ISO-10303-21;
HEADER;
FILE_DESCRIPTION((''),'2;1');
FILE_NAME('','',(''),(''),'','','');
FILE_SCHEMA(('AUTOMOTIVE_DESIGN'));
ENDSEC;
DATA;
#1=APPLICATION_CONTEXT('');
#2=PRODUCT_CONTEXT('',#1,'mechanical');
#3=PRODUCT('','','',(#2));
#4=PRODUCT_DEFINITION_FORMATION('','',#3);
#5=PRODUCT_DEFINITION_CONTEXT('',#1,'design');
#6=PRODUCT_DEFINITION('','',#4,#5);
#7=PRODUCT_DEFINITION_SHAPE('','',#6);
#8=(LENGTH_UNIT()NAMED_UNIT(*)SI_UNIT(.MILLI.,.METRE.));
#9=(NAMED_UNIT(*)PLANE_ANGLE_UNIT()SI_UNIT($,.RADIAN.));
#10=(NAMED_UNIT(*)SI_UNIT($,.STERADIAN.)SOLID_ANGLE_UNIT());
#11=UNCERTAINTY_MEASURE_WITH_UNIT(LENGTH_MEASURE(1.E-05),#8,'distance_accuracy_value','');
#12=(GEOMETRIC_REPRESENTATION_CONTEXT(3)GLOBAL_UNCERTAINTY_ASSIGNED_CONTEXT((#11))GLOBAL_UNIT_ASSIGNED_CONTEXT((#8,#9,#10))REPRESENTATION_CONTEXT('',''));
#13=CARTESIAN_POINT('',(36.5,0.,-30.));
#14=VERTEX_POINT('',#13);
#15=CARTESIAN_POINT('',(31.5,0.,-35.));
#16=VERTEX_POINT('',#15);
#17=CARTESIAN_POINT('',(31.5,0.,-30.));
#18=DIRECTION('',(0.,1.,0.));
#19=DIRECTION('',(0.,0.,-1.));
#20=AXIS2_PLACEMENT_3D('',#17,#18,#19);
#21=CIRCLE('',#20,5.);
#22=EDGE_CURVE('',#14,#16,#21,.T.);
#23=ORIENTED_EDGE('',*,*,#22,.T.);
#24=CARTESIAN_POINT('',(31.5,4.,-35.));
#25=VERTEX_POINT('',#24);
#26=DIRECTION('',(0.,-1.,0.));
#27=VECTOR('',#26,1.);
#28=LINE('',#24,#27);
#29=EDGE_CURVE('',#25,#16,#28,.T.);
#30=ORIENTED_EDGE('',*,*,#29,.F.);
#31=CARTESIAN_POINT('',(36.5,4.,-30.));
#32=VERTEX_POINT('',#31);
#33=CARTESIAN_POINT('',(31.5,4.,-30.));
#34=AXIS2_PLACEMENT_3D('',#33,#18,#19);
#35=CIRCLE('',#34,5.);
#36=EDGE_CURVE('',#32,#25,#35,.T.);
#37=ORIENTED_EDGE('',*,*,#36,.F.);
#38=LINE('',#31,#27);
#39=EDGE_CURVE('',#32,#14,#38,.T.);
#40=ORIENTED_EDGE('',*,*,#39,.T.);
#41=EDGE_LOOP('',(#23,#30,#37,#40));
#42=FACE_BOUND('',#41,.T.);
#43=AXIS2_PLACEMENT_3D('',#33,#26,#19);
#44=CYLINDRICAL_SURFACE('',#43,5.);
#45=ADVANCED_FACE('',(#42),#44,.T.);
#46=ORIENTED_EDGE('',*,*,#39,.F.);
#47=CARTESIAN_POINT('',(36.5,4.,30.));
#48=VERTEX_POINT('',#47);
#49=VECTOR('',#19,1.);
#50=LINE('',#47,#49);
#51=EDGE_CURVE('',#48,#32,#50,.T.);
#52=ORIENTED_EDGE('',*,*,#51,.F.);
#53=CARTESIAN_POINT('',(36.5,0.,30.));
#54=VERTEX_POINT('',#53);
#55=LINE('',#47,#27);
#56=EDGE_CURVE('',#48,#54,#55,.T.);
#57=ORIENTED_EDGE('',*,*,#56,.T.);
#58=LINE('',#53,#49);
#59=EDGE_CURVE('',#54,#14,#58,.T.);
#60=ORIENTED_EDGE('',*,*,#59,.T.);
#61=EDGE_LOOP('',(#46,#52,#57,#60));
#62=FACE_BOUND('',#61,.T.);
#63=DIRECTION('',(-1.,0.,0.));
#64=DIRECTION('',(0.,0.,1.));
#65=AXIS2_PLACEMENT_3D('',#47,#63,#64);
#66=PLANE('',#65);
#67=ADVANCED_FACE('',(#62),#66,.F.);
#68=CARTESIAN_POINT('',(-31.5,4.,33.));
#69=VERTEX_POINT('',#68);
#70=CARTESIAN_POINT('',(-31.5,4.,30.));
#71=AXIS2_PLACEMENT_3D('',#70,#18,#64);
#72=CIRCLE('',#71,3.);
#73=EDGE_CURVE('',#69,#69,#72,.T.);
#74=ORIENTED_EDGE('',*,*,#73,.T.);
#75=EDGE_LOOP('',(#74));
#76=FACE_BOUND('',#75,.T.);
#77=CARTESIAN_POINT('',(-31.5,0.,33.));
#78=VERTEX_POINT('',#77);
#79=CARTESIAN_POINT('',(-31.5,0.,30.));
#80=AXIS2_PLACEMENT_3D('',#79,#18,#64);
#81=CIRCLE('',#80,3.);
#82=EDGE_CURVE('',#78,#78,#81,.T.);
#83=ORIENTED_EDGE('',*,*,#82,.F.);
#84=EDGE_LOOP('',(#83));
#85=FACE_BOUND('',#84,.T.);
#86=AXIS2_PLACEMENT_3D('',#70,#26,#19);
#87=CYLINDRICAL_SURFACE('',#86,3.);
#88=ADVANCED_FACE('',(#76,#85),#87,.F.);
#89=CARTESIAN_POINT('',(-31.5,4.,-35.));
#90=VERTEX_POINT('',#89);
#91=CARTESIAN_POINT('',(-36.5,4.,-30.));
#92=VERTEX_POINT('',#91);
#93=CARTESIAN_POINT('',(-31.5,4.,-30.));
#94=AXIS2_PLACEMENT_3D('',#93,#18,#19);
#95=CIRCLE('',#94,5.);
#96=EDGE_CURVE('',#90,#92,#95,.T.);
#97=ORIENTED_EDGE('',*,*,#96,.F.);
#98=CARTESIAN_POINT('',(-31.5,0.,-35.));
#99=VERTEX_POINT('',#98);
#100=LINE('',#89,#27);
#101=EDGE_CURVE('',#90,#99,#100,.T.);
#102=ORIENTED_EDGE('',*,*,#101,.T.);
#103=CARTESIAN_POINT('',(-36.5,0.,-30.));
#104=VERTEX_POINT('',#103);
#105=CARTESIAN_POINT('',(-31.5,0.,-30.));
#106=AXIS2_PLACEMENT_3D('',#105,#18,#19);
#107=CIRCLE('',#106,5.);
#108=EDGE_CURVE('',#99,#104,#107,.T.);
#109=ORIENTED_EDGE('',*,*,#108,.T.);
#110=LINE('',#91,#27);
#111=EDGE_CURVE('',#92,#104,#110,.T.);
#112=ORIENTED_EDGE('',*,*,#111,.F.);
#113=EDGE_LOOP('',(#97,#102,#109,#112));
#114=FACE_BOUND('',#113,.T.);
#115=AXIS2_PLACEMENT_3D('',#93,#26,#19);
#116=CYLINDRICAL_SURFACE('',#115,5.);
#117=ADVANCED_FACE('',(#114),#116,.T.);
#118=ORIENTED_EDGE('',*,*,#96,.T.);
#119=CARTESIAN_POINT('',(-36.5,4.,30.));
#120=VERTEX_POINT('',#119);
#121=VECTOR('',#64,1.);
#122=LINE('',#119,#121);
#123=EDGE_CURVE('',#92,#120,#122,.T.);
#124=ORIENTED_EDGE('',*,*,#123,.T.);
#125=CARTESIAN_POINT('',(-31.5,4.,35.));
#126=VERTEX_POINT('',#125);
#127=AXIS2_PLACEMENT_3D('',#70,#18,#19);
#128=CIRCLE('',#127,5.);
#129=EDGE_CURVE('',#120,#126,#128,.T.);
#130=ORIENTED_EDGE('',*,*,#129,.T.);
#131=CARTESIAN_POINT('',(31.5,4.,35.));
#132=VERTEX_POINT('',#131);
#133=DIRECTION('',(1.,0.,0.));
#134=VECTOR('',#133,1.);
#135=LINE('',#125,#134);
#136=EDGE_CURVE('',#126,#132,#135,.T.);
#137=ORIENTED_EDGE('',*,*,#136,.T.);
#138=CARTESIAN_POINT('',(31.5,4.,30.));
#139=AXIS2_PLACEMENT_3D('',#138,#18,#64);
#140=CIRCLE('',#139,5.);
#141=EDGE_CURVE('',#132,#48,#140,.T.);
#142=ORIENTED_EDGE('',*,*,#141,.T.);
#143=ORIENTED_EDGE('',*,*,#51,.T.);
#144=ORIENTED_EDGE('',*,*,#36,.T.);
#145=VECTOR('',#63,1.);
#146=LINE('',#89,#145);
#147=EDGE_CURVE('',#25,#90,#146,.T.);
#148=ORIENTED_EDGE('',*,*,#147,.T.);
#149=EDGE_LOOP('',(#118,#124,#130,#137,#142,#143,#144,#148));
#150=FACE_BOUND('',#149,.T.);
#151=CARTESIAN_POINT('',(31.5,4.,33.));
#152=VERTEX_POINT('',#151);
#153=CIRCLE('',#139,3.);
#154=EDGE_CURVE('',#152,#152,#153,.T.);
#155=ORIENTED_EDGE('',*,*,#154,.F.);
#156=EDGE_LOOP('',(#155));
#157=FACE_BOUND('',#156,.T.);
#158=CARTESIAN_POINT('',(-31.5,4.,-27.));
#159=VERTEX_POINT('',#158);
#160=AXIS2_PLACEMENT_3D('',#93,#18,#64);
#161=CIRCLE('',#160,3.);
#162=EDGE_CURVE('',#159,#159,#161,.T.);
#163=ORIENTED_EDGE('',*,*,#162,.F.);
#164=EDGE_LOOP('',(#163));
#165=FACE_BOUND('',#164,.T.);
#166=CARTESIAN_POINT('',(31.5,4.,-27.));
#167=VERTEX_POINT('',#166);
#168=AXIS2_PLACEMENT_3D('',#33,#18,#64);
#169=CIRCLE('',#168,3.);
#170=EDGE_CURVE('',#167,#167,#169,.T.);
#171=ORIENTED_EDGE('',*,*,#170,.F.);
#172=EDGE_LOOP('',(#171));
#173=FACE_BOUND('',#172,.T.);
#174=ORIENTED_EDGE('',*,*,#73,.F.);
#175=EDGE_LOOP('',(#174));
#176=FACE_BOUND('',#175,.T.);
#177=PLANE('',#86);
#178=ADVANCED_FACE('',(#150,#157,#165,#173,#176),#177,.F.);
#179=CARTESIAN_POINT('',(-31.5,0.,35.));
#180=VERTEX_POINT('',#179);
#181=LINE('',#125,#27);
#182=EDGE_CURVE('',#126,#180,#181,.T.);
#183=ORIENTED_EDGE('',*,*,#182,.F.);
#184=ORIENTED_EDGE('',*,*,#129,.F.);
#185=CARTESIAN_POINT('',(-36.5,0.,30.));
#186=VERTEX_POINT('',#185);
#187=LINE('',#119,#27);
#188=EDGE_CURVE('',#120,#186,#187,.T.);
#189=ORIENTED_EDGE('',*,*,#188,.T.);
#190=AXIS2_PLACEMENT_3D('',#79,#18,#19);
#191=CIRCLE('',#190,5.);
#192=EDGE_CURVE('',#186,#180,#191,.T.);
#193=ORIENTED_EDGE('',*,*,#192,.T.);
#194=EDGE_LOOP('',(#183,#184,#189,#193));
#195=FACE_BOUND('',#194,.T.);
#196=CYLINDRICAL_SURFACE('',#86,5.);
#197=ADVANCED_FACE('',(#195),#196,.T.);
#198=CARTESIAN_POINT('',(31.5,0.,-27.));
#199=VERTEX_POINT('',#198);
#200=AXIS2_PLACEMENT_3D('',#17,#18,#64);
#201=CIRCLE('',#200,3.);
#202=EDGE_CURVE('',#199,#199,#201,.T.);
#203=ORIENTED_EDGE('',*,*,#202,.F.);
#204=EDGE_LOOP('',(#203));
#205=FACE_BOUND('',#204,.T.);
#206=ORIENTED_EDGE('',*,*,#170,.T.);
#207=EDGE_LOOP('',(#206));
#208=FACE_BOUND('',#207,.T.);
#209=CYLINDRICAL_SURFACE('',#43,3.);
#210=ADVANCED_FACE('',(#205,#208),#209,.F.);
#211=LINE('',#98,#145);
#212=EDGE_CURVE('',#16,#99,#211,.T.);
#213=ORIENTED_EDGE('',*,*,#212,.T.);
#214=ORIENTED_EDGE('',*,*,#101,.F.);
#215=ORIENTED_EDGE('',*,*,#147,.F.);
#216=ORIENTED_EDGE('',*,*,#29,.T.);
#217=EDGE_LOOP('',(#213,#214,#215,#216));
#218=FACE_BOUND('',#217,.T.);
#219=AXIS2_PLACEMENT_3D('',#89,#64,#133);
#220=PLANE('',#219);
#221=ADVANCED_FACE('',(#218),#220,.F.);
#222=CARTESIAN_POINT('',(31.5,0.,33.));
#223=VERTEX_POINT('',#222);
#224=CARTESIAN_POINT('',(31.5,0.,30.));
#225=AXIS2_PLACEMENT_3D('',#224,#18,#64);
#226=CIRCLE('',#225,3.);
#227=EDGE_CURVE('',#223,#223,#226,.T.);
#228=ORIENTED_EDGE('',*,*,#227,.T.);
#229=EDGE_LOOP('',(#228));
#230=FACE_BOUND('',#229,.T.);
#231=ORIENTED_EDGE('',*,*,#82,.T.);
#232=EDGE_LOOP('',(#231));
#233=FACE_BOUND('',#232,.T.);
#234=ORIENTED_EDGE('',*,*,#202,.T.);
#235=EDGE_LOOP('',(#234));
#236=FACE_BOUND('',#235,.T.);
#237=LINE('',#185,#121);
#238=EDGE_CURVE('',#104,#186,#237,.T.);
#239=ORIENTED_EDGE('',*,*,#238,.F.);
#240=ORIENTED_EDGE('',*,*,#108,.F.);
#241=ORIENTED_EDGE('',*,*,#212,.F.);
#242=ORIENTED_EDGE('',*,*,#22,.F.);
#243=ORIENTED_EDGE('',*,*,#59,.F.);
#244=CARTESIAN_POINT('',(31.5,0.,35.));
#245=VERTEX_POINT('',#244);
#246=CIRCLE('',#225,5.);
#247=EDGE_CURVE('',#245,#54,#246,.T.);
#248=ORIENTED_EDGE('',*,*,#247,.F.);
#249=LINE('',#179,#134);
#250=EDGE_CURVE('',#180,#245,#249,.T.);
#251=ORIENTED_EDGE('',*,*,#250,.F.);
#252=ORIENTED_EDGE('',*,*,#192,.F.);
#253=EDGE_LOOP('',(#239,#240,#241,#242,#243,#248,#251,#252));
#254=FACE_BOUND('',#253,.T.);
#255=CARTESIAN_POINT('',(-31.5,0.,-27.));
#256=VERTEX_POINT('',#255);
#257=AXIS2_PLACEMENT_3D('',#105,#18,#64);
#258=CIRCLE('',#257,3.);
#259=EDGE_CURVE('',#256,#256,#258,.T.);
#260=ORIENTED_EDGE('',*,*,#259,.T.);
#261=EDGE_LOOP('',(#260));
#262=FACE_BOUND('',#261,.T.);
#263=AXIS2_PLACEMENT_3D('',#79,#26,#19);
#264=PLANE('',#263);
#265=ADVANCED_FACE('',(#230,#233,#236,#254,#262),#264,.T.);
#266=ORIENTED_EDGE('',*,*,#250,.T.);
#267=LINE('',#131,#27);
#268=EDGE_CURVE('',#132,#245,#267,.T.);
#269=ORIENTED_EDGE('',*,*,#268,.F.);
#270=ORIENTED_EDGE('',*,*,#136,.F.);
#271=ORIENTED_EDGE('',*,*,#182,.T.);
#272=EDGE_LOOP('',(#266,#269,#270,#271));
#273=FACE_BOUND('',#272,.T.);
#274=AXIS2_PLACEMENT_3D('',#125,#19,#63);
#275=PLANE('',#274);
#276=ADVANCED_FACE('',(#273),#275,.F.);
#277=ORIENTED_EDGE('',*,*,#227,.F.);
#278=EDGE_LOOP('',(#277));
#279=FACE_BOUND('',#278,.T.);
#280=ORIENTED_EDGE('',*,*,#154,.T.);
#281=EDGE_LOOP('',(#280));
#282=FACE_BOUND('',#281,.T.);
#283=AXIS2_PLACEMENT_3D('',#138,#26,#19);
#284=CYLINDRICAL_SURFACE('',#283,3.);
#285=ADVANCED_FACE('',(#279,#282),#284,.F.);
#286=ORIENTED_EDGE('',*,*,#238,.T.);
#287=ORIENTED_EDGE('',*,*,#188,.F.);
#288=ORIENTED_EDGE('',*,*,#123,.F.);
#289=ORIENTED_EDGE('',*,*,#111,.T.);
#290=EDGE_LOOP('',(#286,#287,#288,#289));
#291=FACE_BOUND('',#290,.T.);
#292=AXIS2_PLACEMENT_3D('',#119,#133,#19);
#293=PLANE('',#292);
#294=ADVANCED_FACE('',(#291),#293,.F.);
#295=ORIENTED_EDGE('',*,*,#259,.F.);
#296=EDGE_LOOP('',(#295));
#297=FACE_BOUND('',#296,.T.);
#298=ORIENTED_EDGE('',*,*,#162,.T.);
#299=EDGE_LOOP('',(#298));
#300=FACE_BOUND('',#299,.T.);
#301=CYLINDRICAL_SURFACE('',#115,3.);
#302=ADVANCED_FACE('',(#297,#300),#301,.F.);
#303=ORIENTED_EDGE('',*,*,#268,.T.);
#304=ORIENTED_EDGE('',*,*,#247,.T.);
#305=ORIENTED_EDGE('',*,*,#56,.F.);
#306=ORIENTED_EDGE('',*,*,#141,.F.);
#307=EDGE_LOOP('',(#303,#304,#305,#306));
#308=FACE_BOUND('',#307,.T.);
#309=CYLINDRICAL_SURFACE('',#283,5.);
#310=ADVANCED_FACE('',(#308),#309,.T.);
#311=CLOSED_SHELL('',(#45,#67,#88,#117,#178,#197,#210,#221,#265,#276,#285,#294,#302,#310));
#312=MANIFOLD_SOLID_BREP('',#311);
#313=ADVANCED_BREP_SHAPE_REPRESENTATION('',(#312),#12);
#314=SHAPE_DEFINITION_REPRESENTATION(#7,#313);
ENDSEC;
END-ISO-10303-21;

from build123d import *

# Parameters (mm, degrees)
SKETCH2_R           = 3
BOSS_EXTRUDE1_DEPTH = 4


with BuildPart() as part:
    # Sketch2 → Boss-Extrude1 (new body)
    with BuildSketch(Plane(origin=(0, 0, 0), x_dir=(1, 0, 0), z_dir=(0, 1, 0))):
        with BuildLine():
            Line((-31.5, -35), (31.5, -35))
            ThreePointArc((31.5, -35), (35.035533906, -33.535533906), (36.5, -30))
            Line((36.5, -30), (36.5, 30))
            ThreePointArc((36.5, 30), (35.035533906, 33.535533906), (31.5, 35))
            Line((31.5, 35), (-31.5, 35))
            ThreePointArc((-31.5, 35), (-35.035533906, 33.535533906), (-36.5, 30))
            Line((-36.5, 30), (-36.5, -30))
            ThreePointArc((-36.5, -30), (-35.035533906, -33.535533906), (-31.5, -35))
        make_face()
        with Locations((-31.5, 30)):
            Circle(SKETCH2_R, mode=Mode.SUBTRACT)
        with Locations((-31.5, -30)):
            Circle(SKETCH2_R, mode=Mode.SUBTRACT)
        with Locations((31.5, 30)):
            Circle(SKETCH2_R, mode=Mode.SUBTRACT)
        with Locations((31.5, -30)):
            Circle(SKETCH2_R, mode=Mode.SUBTRACT)
    extrude(amount=BOSS_EXTRUDE1_DEPTH)


solid = part.part
